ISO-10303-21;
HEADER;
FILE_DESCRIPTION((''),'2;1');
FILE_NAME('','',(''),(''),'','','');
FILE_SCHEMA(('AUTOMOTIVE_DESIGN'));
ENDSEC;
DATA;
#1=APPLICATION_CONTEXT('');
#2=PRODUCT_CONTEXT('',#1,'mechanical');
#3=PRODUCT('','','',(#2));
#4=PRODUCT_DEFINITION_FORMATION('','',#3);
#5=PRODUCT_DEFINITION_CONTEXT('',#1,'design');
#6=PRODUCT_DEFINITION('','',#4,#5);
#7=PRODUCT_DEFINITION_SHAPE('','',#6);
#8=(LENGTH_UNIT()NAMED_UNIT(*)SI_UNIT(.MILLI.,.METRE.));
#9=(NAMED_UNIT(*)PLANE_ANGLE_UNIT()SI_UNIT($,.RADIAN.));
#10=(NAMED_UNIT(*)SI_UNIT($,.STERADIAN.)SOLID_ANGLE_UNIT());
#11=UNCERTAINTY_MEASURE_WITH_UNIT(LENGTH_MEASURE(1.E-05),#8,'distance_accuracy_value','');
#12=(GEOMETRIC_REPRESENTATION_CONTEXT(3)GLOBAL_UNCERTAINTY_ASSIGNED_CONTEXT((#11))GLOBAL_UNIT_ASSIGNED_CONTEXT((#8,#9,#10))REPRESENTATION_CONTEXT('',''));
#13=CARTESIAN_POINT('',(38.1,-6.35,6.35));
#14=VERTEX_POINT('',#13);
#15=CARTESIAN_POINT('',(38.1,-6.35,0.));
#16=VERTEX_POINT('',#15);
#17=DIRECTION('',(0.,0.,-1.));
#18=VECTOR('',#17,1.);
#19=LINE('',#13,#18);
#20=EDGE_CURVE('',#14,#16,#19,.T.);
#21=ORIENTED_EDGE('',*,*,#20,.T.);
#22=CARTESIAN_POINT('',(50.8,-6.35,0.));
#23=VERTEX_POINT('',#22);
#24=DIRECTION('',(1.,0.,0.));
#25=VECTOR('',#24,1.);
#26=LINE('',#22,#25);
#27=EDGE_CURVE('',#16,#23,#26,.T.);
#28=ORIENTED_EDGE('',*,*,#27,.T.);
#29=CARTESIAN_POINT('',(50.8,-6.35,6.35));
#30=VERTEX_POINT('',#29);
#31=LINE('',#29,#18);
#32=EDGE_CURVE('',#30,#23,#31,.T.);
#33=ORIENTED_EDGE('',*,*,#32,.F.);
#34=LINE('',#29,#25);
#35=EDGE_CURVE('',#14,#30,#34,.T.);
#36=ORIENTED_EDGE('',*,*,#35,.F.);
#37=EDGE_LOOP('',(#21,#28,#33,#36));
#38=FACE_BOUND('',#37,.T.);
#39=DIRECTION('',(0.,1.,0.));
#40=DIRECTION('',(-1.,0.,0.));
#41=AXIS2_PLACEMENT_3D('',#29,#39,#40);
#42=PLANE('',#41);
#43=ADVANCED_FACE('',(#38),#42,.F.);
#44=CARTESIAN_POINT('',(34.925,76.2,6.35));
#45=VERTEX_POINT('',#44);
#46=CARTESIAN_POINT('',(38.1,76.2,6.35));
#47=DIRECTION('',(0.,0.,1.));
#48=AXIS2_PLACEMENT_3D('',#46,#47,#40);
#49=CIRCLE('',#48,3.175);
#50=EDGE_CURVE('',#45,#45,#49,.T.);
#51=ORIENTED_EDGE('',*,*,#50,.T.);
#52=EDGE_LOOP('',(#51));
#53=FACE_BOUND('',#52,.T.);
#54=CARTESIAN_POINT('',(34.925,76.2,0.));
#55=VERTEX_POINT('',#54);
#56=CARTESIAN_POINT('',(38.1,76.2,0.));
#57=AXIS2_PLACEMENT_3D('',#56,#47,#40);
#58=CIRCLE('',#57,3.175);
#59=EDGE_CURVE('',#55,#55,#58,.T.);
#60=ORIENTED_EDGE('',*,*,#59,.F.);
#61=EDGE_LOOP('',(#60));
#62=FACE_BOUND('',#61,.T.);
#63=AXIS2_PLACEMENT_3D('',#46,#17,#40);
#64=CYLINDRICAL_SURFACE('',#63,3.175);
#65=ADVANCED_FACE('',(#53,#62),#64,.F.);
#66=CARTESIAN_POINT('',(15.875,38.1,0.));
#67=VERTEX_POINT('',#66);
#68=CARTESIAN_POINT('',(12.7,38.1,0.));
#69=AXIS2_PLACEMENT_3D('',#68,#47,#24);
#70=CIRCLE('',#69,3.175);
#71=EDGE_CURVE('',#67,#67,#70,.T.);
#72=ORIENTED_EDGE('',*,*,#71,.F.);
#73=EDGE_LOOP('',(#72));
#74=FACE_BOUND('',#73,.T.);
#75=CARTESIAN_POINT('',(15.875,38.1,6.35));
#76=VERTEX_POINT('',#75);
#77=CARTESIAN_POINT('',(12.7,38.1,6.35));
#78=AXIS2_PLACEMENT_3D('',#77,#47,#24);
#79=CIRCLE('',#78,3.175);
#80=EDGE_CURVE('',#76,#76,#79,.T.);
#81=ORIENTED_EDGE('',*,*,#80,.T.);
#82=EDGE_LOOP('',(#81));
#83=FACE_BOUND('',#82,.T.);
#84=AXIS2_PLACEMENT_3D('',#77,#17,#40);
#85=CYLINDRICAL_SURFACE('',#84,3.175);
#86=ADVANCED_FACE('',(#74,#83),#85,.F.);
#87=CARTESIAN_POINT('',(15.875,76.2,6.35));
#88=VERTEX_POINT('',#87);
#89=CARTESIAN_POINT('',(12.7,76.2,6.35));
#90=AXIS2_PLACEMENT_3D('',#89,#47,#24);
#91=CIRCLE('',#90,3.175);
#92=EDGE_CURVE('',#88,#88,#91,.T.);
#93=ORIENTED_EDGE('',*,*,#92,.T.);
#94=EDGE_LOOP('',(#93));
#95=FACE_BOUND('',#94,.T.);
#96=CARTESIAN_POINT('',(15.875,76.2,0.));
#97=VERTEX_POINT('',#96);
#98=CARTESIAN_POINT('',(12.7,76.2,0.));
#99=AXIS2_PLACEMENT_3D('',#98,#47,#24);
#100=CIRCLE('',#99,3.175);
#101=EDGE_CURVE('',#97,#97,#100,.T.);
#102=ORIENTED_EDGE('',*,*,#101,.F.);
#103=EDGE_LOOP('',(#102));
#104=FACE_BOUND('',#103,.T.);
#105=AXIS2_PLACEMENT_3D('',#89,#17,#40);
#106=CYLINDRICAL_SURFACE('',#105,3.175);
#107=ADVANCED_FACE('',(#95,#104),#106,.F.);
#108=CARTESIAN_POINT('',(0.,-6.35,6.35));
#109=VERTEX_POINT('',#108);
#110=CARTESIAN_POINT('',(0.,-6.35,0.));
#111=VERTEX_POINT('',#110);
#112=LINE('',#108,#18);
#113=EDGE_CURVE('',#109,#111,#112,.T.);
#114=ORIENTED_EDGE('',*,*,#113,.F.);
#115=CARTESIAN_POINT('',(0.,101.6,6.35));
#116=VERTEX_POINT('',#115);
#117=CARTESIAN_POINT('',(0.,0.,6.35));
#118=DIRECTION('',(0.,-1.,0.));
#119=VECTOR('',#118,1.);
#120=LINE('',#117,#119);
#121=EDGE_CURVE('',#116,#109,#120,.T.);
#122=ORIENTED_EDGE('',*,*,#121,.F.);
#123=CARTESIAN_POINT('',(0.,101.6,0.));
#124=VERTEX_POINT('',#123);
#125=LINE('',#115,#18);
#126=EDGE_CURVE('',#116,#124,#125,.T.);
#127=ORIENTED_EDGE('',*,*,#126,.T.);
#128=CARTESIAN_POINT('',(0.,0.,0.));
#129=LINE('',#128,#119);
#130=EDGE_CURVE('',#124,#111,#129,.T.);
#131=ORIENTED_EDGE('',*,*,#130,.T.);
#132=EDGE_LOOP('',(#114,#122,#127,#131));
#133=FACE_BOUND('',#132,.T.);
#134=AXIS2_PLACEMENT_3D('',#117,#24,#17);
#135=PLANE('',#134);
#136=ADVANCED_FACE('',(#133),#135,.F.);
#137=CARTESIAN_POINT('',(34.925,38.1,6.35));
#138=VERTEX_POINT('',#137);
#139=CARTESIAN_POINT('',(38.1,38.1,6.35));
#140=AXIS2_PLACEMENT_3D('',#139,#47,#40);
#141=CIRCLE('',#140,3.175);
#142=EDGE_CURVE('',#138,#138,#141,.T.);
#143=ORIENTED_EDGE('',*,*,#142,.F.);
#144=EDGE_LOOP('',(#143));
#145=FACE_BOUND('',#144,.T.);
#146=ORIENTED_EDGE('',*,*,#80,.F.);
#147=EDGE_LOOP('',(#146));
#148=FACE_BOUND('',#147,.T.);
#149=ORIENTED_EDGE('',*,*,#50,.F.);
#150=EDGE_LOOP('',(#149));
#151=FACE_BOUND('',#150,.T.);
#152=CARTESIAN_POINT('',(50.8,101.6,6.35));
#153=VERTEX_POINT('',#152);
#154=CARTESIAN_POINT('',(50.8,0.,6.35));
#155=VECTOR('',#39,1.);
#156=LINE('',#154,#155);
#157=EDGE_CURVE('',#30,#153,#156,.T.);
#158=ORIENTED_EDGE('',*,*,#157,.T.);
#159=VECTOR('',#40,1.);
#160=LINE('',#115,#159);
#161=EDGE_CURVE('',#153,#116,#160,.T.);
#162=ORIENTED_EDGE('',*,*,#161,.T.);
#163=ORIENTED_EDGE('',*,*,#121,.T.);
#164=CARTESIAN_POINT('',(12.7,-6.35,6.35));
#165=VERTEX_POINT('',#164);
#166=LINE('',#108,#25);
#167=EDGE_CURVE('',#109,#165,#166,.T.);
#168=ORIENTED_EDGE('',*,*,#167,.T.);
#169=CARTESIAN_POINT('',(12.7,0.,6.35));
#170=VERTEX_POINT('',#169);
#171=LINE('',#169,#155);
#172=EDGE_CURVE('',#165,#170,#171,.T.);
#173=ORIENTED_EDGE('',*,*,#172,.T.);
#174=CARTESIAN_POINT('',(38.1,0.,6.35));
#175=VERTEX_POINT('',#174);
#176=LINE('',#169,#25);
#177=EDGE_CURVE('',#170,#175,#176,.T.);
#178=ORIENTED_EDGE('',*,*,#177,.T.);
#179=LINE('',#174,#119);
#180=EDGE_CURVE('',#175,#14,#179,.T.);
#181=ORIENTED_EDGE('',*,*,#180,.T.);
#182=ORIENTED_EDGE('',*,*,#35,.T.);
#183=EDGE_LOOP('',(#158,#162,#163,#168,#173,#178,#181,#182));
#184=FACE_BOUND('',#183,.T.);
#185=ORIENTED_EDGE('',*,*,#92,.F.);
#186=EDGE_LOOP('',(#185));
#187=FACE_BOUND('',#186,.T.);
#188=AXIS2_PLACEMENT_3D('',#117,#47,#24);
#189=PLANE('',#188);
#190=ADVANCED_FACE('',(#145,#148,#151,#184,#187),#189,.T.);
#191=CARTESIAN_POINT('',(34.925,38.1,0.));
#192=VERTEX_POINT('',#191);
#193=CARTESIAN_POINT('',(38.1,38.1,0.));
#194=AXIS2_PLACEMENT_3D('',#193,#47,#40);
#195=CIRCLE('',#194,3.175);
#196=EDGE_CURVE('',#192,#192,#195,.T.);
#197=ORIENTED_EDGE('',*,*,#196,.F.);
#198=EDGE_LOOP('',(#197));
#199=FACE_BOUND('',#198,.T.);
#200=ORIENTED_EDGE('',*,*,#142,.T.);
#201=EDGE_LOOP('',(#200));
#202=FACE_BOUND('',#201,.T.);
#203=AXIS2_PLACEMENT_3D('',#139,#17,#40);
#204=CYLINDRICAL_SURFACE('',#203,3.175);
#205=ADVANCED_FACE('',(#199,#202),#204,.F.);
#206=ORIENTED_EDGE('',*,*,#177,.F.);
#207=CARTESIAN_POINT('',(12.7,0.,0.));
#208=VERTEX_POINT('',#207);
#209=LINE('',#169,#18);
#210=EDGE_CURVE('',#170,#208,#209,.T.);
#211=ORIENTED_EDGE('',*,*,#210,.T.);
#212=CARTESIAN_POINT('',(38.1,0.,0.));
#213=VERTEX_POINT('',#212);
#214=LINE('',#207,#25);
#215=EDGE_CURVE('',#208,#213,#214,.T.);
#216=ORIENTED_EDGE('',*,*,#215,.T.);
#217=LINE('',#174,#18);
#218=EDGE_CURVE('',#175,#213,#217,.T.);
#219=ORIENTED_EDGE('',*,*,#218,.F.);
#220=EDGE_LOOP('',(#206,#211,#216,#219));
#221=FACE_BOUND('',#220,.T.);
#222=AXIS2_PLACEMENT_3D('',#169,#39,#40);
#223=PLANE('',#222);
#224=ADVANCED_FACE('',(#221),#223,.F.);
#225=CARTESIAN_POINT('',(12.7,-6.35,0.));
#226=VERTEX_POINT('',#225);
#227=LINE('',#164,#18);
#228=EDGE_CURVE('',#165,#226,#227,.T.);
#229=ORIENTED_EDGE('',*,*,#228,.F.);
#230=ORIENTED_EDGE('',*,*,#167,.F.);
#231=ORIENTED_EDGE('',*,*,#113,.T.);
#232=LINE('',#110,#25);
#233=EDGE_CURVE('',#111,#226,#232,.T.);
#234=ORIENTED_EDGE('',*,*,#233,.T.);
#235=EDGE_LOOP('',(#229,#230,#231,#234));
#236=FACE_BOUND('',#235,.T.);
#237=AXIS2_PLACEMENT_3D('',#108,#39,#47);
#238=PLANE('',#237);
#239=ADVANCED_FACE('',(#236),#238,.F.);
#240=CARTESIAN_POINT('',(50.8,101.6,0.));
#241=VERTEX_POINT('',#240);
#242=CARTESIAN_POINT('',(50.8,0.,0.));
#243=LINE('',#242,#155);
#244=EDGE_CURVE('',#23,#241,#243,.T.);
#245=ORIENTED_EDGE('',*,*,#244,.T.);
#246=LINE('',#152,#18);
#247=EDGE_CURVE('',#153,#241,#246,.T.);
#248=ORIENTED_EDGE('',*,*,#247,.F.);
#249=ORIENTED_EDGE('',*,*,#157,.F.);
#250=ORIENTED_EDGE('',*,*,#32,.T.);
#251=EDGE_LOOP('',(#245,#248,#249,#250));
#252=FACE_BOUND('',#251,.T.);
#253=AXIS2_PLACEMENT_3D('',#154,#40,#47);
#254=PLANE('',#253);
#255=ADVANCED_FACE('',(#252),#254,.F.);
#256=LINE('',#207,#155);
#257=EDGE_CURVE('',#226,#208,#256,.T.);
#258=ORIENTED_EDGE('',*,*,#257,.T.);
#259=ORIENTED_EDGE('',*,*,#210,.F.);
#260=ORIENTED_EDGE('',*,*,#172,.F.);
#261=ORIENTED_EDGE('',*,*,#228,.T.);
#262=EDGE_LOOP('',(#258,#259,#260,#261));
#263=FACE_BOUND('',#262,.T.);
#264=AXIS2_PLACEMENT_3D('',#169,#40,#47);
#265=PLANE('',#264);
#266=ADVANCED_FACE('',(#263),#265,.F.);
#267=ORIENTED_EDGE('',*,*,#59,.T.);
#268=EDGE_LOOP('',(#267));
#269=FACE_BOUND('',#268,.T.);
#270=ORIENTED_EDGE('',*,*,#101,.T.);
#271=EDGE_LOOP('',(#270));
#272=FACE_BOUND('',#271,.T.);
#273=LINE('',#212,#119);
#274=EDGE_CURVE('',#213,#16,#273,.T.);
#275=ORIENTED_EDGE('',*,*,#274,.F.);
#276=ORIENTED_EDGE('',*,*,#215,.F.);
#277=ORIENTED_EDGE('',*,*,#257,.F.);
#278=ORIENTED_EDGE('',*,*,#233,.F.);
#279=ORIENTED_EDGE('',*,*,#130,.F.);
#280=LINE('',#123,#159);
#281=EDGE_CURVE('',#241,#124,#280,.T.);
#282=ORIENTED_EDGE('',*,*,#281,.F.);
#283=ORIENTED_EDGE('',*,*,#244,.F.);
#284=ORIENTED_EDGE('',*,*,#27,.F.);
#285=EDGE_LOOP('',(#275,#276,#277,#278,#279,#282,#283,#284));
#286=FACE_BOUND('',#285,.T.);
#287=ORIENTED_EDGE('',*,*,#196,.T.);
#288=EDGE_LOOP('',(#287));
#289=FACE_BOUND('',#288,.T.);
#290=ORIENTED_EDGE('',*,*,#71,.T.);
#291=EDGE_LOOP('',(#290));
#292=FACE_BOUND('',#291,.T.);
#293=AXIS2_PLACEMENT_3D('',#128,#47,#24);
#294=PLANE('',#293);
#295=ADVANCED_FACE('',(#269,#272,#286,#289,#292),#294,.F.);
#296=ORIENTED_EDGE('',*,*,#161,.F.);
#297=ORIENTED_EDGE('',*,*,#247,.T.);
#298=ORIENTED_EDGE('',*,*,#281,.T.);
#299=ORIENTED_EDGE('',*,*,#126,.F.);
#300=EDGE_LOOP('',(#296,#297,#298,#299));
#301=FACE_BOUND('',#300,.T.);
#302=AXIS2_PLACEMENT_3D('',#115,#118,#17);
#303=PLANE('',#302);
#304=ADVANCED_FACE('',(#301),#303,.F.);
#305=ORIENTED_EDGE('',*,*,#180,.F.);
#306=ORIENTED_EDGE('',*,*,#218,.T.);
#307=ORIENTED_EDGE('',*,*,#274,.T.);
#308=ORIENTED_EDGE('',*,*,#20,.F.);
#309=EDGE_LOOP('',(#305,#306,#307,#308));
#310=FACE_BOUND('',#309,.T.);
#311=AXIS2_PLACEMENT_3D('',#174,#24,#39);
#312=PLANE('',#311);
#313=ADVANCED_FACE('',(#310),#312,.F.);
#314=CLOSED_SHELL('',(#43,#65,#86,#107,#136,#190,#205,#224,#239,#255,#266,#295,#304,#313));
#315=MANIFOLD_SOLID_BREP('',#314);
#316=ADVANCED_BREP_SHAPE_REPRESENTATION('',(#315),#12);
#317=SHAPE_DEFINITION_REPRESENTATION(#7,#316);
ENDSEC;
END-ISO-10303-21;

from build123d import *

# Parameters (mm, degrees)
SKETCH1_R           = 3.175
BOSS_EXTRUDE1_DEPTH = 6.35


with BuildPart() as part:
    # Sketch1 → Boss-Extrude1 (new body)
    with BuildSketch(Plane.XY):
        Polygon((12.7, 0), (38.1, 0), (38.1, -6.35), (50.8, -6.35), (50.8, 0), (50.8, 101.6), (0, 101.6), (0, 0), (0, -6.35), (12.7, -6.35), align=None)
        with Locations((12.7, 76.2)):
            Circle(SKETCH1_R, mode=Mode.SUBTRACT)
        with Locations(Location((38.1, 76.2, 0), (0, 0, 180))):
            Circle(SKETCH1_R, mode=Mode.SUBTRACT)
        with Locations((12.7, 38.1)):
            Circle(SKETCH1_R, mode=Mode.SUBTRACT)
        with Locations(Location((38.1, 38.1, 0), (0, 0, 180))):
            Circle(SKETCH1_R, mode=Mode.SUBTRACT)
    extrude(amount=BOSS_EXTRUDE1_DEPTH)


solid = part.part
